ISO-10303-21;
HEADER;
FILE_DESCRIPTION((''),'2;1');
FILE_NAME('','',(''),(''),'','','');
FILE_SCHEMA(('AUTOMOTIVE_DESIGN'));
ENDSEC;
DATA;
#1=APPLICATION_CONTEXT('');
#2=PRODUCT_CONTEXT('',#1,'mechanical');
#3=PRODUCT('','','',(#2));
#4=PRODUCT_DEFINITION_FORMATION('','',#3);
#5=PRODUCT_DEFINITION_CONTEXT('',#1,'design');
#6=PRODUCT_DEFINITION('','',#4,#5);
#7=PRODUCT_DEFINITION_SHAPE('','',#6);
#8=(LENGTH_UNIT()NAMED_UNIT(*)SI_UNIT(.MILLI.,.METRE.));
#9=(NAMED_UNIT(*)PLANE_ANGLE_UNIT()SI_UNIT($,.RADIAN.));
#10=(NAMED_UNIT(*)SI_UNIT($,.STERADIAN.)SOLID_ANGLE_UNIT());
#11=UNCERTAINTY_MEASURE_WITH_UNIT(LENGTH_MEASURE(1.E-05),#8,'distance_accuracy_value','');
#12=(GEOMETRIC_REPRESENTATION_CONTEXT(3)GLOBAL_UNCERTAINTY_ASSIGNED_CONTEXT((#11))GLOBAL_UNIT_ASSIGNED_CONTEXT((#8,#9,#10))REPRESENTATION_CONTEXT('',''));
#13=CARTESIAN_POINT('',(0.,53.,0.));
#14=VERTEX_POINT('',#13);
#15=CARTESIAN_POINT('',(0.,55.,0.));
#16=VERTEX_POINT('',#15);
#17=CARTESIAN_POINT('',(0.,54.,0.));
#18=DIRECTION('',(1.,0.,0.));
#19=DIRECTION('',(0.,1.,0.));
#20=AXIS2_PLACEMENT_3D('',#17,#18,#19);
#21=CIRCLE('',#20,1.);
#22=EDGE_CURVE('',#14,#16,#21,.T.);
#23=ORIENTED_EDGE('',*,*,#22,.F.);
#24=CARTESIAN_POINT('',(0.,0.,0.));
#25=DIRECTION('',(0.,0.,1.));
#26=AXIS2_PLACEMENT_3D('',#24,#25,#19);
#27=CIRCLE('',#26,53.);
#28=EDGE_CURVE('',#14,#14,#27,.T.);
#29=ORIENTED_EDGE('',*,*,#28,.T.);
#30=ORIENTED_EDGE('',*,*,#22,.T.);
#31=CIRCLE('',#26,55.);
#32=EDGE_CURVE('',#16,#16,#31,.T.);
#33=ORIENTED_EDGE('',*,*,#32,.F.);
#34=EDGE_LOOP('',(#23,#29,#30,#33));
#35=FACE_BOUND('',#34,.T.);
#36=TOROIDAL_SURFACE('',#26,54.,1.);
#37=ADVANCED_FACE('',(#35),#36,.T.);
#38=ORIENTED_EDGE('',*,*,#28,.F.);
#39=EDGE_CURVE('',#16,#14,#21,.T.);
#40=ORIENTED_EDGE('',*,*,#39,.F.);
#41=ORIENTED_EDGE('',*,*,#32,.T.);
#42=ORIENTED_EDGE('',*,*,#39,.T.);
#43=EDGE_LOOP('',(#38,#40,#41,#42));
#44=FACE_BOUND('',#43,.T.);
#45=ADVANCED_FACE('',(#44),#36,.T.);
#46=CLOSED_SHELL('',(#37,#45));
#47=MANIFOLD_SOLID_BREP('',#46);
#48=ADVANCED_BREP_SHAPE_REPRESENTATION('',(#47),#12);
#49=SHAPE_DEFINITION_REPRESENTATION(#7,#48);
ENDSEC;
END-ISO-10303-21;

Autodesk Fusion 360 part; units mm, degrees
sketch "Sketch1" plane through (0, 0, 0) normal (0, 0, 1) x (1, 0, 0)
  circle A0 centre (0, 0) radius 54
  dimension "d1" = 108
sketch "Sketch2" plane through (0, 0, 0) normal (1, 0, 0) x (0, 1, 0)
  circle A0 centre (54, 0) radius 1
  line L0 (54, 0) -> (-54, 0)
  dimension "d2" = 2
  dimension "d4" = 54
revolve "Revolve1" add sketch "Sketch2" angle 360 about axis through (0, 0, 1.75) along (0, 0, 1)
